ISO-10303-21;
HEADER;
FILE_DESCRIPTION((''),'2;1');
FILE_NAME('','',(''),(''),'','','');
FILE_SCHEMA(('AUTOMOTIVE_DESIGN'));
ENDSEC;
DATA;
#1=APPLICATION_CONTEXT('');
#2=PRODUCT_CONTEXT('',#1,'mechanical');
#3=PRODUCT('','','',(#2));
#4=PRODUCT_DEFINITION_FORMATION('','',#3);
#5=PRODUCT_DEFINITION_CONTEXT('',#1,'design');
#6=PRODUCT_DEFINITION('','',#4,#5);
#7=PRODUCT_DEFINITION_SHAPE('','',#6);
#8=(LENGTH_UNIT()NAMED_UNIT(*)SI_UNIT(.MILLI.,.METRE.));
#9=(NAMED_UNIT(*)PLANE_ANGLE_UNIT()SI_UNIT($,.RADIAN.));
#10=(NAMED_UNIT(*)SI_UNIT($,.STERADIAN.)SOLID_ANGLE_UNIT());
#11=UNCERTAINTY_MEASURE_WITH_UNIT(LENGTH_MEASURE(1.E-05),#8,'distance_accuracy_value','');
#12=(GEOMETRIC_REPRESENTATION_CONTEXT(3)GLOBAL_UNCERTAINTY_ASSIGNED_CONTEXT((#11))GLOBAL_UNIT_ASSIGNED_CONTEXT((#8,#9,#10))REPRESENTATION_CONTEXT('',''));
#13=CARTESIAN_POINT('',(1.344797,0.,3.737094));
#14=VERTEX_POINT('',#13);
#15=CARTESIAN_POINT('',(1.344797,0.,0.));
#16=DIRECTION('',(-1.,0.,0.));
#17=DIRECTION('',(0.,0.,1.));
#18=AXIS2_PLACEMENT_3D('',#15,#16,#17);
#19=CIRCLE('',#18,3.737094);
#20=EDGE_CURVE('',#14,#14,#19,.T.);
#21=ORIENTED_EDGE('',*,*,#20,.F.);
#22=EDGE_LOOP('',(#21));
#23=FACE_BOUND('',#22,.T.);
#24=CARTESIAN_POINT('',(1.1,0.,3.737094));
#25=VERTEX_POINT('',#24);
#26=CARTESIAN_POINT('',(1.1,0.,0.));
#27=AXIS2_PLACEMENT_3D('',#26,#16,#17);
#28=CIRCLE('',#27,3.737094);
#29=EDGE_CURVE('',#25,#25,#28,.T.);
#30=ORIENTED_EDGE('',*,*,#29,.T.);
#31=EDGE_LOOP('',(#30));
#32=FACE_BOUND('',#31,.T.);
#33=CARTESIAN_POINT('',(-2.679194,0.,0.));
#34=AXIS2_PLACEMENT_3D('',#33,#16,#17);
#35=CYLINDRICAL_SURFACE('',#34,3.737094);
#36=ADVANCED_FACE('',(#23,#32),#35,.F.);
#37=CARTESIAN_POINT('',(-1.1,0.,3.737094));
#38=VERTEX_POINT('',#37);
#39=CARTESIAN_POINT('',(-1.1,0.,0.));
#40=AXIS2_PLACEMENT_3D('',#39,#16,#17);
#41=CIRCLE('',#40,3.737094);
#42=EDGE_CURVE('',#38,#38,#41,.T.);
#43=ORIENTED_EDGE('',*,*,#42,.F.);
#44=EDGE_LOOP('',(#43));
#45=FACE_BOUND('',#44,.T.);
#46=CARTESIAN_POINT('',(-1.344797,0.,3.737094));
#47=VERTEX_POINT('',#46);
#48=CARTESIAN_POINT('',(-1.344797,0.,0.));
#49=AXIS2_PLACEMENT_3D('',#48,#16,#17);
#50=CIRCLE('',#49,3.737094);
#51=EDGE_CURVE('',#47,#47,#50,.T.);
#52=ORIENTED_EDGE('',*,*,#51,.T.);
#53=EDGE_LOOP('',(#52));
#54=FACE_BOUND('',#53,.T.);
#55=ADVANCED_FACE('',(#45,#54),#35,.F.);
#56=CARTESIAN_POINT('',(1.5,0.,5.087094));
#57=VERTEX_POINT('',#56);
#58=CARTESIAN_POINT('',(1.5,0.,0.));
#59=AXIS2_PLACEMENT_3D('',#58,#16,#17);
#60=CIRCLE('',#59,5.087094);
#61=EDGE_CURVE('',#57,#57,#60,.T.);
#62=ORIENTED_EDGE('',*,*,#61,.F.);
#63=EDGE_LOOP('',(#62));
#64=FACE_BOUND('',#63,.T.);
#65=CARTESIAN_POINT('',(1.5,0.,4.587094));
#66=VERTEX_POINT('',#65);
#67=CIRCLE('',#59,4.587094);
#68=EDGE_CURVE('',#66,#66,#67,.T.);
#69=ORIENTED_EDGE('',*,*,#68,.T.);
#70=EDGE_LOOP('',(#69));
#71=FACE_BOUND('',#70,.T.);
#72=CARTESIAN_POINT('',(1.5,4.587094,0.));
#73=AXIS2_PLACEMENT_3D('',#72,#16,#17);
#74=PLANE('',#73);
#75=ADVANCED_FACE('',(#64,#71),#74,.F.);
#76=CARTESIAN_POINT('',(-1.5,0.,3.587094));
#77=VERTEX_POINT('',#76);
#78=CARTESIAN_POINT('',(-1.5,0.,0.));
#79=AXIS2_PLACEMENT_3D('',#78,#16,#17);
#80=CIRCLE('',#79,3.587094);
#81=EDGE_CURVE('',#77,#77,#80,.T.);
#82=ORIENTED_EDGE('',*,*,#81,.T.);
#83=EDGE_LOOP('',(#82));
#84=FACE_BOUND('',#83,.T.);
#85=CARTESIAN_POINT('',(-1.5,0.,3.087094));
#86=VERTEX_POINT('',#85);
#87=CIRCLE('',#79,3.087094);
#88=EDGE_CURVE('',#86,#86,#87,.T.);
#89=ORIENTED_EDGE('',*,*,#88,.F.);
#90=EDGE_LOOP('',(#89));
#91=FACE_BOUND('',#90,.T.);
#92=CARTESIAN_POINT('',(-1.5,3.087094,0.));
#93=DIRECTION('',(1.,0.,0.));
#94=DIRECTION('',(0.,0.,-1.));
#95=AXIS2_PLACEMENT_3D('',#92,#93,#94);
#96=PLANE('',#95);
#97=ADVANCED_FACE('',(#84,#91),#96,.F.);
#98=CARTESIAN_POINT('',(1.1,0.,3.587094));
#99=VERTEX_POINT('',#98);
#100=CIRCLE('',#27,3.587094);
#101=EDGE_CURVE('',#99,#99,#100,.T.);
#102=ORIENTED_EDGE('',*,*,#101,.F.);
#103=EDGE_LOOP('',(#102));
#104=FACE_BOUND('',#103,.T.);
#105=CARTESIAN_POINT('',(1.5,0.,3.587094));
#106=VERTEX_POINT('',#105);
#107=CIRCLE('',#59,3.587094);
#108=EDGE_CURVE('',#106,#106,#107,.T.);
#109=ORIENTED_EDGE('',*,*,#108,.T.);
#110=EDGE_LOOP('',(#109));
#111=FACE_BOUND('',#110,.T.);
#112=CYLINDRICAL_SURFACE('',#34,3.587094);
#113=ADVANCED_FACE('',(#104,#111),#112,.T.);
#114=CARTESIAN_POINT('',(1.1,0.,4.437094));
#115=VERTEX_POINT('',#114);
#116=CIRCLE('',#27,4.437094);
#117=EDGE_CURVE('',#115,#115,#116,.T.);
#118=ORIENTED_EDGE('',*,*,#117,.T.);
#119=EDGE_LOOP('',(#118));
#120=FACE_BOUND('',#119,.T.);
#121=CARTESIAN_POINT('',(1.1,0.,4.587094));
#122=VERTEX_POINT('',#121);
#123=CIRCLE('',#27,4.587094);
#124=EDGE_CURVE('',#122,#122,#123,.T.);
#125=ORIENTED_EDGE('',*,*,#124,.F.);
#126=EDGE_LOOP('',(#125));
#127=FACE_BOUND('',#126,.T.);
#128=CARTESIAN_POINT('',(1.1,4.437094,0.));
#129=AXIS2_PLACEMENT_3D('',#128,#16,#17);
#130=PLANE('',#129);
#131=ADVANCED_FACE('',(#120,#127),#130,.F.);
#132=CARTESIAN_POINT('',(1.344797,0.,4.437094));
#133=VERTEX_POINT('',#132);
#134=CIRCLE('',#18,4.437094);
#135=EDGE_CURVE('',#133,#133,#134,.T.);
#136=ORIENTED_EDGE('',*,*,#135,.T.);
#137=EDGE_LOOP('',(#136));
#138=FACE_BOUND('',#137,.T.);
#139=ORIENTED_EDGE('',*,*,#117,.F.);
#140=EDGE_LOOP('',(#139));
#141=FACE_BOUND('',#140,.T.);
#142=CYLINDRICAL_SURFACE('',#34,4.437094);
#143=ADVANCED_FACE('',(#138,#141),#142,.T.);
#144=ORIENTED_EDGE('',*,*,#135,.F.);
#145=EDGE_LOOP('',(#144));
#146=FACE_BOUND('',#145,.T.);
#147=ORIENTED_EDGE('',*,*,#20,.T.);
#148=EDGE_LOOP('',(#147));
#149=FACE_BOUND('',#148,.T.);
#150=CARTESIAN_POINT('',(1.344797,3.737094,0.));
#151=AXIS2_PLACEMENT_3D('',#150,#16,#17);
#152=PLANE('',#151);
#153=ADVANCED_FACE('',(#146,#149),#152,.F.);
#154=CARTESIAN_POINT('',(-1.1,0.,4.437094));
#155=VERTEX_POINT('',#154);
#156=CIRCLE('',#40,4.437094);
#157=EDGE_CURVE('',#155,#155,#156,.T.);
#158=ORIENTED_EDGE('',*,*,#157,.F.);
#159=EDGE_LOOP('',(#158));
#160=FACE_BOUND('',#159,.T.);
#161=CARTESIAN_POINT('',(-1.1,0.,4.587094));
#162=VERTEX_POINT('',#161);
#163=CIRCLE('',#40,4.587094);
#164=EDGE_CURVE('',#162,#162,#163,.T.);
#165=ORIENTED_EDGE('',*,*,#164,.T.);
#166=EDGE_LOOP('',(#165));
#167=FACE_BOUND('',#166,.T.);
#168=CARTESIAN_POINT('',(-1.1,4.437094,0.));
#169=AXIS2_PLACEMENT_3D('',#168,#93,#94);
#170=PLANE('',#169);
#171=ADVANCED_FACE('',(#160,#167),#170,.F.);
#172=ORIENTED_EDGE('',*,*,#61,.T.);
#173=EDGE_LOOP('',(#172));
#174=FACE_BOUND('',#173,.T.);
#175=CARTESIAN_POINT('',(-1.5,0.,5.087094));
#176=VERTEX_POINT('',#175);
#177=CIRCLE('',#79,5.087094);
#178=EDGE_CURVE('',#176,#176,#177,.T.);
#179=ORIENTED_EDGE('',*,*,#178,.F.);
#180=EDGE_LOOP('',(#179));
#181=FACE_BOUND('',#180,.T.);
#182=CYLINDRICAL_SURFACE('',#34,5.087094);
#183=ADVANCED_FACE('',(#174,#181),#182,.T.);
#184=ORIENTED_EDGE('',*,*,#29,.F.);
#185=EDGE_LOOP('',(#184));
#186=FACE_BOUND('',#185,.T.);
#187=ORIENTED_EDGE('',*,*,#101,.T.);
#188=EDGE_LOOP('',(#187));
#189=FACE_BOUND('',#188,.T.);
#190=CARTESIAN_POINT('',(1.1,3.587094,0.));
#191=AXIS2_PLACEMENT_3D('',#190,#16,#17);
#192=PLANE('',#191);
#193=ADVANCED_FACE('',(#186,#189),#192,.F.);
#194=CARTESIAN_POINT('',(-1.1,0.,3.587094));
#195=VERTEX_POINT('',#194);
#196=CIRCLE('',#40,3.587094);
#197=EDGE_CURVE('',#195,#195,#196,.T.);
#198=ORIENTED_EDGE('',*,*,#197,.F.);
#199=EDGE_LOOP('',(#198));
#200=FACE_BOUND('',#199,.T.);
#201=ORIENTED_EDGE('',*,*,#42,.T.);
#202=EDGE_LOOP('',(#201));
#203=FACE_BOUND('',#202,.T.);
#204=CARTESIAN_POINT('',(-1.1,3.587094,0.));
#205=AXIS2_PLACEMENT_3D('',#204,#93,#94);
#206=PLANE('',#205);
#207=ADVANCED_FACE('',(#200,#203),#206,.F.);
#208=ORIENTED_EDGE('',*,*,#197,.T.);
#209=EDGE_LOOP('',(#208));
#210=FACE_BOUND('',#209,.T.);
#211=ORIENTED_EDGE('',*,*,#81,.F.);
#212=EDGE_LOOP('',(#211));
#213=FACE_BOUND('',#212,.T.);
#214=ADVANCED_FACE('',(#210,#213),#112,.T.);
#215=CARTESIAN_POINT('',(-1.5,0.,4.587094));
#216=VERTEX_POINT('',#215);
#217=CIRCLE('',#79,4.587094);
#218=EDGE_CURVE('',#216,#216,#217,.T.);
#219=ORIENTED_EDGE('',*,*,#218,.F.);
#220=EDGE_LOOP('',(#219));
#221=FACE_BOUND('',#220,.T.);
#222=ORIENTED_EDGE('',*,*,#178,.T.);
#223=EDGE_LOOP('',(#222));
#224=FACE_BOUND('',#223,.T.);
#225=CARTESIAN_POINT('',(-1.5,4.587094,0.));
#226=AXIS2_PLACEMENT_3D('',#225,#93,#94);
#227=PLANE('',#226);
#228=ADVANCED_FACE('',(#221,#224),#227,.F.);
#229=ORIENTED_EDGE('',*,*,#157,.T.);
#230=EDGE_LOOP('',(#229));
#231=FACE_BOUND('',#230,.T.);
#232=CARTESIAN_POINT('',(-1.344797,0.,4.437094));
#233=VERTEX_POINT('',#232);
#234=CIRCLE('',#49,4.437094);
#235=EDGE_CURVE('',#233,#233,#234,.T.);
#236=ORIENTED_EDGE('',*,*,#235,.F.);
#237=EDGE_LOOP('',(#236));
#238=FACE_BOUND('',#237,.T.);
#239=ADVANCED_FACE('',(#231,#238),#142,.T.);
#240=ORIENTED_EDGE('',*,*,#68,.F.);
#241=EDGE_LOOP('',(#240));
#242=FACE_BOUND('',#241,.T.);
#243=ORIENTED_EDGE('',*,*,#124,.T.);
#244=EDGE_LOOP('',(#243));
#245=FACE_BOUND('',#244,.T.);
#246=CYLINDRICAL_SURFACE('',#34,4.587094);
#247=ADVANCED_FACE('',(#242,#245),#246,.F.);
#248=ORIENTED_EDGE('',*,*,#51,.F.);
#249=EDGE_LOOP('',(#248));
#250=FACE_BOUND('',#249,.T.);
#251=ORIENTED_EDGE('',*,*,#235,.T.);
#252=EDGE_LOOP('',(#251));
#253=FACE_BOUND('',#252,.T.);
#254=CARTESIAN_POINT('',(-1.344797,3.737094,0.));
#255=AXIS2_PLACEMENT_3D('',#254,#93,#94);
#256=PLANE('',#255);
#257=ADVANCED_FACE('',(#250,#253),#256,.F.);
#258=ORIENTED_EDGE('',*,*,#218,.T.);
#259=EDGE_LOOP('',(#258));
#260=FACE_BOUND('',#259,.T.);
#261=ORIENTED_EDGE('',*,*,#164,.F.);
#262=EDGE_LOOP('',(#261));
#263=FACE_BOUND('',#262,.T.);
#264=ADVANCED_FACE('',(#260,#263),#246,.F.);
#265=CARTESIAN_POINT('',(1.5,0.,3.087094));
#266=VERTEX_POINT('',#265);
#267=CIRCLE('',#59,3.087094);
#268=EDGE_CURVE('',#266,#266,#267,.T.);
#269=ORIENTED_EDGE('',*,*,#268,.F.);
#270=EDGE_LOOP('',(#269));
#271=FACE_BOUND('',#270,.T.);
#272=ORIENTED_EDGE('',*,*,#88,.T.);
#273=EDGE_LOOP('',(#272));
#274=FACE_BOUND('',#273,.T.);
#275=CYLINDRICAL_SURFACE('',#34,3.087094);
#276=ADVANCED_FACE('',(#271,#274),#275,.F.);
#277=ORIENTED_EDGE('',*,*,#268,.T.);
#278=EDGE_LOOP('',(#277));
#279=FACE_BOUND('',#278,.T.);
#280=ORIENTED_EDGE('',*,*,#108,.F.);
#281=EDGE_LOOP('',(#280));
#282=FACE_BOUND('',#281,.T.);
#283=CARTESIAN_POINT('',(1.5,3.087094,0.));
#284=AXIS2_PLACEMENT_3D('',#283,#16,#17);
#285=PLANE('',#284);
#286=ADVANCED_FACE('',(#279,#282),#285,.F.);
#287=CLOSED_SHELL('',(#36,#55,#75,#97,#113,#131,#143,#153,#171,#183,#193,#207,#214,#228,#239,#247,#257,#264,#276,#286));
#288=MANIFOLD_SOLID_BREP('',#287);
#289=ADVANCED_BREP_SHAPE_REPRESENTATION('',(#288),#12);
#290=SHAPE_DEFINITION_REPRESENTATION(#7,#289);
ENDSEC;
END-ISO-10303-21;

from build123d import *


with BuildPart() as part:
    # Sketch1 → Revolve1 (revolve)
    with BuildSketch(Plane.XY, mode=Mode.PRIVATE) as revolve1_sk:
        Polygon((-1.5, 3.087093808), (1.5, 3.087093808), (1.5, 3.587093808), (1.1, 3.587093808), (1.1, 3.737093808), (1.344796779, 3.737093808), (1.344796779, 4.437093808), (1.1, 4.437093808), (1.1, 4.587093808), (1.5, 4.587093808), (1.5, 5.087093808), (-1.5, 5.087093808), (-1.5, 4.587093808), (-1.1, 4.587093808), (-1.1, 4.437093808), (-1.344796779, 4.437093808), (-1.344796779, 3.737093808), (-1.1, 3.737093808), (-1.1, 3.587093808), (-1.5, 3.587093808), align=None)
    revolve(revolve1_sk.sketch.rotate(Axis((-2.67919432, 0, 0), (1, 0, 0)), 90), axis=Axis((-2.67919432, 0, 0), (1, 0, 0)))


solid = part.part
